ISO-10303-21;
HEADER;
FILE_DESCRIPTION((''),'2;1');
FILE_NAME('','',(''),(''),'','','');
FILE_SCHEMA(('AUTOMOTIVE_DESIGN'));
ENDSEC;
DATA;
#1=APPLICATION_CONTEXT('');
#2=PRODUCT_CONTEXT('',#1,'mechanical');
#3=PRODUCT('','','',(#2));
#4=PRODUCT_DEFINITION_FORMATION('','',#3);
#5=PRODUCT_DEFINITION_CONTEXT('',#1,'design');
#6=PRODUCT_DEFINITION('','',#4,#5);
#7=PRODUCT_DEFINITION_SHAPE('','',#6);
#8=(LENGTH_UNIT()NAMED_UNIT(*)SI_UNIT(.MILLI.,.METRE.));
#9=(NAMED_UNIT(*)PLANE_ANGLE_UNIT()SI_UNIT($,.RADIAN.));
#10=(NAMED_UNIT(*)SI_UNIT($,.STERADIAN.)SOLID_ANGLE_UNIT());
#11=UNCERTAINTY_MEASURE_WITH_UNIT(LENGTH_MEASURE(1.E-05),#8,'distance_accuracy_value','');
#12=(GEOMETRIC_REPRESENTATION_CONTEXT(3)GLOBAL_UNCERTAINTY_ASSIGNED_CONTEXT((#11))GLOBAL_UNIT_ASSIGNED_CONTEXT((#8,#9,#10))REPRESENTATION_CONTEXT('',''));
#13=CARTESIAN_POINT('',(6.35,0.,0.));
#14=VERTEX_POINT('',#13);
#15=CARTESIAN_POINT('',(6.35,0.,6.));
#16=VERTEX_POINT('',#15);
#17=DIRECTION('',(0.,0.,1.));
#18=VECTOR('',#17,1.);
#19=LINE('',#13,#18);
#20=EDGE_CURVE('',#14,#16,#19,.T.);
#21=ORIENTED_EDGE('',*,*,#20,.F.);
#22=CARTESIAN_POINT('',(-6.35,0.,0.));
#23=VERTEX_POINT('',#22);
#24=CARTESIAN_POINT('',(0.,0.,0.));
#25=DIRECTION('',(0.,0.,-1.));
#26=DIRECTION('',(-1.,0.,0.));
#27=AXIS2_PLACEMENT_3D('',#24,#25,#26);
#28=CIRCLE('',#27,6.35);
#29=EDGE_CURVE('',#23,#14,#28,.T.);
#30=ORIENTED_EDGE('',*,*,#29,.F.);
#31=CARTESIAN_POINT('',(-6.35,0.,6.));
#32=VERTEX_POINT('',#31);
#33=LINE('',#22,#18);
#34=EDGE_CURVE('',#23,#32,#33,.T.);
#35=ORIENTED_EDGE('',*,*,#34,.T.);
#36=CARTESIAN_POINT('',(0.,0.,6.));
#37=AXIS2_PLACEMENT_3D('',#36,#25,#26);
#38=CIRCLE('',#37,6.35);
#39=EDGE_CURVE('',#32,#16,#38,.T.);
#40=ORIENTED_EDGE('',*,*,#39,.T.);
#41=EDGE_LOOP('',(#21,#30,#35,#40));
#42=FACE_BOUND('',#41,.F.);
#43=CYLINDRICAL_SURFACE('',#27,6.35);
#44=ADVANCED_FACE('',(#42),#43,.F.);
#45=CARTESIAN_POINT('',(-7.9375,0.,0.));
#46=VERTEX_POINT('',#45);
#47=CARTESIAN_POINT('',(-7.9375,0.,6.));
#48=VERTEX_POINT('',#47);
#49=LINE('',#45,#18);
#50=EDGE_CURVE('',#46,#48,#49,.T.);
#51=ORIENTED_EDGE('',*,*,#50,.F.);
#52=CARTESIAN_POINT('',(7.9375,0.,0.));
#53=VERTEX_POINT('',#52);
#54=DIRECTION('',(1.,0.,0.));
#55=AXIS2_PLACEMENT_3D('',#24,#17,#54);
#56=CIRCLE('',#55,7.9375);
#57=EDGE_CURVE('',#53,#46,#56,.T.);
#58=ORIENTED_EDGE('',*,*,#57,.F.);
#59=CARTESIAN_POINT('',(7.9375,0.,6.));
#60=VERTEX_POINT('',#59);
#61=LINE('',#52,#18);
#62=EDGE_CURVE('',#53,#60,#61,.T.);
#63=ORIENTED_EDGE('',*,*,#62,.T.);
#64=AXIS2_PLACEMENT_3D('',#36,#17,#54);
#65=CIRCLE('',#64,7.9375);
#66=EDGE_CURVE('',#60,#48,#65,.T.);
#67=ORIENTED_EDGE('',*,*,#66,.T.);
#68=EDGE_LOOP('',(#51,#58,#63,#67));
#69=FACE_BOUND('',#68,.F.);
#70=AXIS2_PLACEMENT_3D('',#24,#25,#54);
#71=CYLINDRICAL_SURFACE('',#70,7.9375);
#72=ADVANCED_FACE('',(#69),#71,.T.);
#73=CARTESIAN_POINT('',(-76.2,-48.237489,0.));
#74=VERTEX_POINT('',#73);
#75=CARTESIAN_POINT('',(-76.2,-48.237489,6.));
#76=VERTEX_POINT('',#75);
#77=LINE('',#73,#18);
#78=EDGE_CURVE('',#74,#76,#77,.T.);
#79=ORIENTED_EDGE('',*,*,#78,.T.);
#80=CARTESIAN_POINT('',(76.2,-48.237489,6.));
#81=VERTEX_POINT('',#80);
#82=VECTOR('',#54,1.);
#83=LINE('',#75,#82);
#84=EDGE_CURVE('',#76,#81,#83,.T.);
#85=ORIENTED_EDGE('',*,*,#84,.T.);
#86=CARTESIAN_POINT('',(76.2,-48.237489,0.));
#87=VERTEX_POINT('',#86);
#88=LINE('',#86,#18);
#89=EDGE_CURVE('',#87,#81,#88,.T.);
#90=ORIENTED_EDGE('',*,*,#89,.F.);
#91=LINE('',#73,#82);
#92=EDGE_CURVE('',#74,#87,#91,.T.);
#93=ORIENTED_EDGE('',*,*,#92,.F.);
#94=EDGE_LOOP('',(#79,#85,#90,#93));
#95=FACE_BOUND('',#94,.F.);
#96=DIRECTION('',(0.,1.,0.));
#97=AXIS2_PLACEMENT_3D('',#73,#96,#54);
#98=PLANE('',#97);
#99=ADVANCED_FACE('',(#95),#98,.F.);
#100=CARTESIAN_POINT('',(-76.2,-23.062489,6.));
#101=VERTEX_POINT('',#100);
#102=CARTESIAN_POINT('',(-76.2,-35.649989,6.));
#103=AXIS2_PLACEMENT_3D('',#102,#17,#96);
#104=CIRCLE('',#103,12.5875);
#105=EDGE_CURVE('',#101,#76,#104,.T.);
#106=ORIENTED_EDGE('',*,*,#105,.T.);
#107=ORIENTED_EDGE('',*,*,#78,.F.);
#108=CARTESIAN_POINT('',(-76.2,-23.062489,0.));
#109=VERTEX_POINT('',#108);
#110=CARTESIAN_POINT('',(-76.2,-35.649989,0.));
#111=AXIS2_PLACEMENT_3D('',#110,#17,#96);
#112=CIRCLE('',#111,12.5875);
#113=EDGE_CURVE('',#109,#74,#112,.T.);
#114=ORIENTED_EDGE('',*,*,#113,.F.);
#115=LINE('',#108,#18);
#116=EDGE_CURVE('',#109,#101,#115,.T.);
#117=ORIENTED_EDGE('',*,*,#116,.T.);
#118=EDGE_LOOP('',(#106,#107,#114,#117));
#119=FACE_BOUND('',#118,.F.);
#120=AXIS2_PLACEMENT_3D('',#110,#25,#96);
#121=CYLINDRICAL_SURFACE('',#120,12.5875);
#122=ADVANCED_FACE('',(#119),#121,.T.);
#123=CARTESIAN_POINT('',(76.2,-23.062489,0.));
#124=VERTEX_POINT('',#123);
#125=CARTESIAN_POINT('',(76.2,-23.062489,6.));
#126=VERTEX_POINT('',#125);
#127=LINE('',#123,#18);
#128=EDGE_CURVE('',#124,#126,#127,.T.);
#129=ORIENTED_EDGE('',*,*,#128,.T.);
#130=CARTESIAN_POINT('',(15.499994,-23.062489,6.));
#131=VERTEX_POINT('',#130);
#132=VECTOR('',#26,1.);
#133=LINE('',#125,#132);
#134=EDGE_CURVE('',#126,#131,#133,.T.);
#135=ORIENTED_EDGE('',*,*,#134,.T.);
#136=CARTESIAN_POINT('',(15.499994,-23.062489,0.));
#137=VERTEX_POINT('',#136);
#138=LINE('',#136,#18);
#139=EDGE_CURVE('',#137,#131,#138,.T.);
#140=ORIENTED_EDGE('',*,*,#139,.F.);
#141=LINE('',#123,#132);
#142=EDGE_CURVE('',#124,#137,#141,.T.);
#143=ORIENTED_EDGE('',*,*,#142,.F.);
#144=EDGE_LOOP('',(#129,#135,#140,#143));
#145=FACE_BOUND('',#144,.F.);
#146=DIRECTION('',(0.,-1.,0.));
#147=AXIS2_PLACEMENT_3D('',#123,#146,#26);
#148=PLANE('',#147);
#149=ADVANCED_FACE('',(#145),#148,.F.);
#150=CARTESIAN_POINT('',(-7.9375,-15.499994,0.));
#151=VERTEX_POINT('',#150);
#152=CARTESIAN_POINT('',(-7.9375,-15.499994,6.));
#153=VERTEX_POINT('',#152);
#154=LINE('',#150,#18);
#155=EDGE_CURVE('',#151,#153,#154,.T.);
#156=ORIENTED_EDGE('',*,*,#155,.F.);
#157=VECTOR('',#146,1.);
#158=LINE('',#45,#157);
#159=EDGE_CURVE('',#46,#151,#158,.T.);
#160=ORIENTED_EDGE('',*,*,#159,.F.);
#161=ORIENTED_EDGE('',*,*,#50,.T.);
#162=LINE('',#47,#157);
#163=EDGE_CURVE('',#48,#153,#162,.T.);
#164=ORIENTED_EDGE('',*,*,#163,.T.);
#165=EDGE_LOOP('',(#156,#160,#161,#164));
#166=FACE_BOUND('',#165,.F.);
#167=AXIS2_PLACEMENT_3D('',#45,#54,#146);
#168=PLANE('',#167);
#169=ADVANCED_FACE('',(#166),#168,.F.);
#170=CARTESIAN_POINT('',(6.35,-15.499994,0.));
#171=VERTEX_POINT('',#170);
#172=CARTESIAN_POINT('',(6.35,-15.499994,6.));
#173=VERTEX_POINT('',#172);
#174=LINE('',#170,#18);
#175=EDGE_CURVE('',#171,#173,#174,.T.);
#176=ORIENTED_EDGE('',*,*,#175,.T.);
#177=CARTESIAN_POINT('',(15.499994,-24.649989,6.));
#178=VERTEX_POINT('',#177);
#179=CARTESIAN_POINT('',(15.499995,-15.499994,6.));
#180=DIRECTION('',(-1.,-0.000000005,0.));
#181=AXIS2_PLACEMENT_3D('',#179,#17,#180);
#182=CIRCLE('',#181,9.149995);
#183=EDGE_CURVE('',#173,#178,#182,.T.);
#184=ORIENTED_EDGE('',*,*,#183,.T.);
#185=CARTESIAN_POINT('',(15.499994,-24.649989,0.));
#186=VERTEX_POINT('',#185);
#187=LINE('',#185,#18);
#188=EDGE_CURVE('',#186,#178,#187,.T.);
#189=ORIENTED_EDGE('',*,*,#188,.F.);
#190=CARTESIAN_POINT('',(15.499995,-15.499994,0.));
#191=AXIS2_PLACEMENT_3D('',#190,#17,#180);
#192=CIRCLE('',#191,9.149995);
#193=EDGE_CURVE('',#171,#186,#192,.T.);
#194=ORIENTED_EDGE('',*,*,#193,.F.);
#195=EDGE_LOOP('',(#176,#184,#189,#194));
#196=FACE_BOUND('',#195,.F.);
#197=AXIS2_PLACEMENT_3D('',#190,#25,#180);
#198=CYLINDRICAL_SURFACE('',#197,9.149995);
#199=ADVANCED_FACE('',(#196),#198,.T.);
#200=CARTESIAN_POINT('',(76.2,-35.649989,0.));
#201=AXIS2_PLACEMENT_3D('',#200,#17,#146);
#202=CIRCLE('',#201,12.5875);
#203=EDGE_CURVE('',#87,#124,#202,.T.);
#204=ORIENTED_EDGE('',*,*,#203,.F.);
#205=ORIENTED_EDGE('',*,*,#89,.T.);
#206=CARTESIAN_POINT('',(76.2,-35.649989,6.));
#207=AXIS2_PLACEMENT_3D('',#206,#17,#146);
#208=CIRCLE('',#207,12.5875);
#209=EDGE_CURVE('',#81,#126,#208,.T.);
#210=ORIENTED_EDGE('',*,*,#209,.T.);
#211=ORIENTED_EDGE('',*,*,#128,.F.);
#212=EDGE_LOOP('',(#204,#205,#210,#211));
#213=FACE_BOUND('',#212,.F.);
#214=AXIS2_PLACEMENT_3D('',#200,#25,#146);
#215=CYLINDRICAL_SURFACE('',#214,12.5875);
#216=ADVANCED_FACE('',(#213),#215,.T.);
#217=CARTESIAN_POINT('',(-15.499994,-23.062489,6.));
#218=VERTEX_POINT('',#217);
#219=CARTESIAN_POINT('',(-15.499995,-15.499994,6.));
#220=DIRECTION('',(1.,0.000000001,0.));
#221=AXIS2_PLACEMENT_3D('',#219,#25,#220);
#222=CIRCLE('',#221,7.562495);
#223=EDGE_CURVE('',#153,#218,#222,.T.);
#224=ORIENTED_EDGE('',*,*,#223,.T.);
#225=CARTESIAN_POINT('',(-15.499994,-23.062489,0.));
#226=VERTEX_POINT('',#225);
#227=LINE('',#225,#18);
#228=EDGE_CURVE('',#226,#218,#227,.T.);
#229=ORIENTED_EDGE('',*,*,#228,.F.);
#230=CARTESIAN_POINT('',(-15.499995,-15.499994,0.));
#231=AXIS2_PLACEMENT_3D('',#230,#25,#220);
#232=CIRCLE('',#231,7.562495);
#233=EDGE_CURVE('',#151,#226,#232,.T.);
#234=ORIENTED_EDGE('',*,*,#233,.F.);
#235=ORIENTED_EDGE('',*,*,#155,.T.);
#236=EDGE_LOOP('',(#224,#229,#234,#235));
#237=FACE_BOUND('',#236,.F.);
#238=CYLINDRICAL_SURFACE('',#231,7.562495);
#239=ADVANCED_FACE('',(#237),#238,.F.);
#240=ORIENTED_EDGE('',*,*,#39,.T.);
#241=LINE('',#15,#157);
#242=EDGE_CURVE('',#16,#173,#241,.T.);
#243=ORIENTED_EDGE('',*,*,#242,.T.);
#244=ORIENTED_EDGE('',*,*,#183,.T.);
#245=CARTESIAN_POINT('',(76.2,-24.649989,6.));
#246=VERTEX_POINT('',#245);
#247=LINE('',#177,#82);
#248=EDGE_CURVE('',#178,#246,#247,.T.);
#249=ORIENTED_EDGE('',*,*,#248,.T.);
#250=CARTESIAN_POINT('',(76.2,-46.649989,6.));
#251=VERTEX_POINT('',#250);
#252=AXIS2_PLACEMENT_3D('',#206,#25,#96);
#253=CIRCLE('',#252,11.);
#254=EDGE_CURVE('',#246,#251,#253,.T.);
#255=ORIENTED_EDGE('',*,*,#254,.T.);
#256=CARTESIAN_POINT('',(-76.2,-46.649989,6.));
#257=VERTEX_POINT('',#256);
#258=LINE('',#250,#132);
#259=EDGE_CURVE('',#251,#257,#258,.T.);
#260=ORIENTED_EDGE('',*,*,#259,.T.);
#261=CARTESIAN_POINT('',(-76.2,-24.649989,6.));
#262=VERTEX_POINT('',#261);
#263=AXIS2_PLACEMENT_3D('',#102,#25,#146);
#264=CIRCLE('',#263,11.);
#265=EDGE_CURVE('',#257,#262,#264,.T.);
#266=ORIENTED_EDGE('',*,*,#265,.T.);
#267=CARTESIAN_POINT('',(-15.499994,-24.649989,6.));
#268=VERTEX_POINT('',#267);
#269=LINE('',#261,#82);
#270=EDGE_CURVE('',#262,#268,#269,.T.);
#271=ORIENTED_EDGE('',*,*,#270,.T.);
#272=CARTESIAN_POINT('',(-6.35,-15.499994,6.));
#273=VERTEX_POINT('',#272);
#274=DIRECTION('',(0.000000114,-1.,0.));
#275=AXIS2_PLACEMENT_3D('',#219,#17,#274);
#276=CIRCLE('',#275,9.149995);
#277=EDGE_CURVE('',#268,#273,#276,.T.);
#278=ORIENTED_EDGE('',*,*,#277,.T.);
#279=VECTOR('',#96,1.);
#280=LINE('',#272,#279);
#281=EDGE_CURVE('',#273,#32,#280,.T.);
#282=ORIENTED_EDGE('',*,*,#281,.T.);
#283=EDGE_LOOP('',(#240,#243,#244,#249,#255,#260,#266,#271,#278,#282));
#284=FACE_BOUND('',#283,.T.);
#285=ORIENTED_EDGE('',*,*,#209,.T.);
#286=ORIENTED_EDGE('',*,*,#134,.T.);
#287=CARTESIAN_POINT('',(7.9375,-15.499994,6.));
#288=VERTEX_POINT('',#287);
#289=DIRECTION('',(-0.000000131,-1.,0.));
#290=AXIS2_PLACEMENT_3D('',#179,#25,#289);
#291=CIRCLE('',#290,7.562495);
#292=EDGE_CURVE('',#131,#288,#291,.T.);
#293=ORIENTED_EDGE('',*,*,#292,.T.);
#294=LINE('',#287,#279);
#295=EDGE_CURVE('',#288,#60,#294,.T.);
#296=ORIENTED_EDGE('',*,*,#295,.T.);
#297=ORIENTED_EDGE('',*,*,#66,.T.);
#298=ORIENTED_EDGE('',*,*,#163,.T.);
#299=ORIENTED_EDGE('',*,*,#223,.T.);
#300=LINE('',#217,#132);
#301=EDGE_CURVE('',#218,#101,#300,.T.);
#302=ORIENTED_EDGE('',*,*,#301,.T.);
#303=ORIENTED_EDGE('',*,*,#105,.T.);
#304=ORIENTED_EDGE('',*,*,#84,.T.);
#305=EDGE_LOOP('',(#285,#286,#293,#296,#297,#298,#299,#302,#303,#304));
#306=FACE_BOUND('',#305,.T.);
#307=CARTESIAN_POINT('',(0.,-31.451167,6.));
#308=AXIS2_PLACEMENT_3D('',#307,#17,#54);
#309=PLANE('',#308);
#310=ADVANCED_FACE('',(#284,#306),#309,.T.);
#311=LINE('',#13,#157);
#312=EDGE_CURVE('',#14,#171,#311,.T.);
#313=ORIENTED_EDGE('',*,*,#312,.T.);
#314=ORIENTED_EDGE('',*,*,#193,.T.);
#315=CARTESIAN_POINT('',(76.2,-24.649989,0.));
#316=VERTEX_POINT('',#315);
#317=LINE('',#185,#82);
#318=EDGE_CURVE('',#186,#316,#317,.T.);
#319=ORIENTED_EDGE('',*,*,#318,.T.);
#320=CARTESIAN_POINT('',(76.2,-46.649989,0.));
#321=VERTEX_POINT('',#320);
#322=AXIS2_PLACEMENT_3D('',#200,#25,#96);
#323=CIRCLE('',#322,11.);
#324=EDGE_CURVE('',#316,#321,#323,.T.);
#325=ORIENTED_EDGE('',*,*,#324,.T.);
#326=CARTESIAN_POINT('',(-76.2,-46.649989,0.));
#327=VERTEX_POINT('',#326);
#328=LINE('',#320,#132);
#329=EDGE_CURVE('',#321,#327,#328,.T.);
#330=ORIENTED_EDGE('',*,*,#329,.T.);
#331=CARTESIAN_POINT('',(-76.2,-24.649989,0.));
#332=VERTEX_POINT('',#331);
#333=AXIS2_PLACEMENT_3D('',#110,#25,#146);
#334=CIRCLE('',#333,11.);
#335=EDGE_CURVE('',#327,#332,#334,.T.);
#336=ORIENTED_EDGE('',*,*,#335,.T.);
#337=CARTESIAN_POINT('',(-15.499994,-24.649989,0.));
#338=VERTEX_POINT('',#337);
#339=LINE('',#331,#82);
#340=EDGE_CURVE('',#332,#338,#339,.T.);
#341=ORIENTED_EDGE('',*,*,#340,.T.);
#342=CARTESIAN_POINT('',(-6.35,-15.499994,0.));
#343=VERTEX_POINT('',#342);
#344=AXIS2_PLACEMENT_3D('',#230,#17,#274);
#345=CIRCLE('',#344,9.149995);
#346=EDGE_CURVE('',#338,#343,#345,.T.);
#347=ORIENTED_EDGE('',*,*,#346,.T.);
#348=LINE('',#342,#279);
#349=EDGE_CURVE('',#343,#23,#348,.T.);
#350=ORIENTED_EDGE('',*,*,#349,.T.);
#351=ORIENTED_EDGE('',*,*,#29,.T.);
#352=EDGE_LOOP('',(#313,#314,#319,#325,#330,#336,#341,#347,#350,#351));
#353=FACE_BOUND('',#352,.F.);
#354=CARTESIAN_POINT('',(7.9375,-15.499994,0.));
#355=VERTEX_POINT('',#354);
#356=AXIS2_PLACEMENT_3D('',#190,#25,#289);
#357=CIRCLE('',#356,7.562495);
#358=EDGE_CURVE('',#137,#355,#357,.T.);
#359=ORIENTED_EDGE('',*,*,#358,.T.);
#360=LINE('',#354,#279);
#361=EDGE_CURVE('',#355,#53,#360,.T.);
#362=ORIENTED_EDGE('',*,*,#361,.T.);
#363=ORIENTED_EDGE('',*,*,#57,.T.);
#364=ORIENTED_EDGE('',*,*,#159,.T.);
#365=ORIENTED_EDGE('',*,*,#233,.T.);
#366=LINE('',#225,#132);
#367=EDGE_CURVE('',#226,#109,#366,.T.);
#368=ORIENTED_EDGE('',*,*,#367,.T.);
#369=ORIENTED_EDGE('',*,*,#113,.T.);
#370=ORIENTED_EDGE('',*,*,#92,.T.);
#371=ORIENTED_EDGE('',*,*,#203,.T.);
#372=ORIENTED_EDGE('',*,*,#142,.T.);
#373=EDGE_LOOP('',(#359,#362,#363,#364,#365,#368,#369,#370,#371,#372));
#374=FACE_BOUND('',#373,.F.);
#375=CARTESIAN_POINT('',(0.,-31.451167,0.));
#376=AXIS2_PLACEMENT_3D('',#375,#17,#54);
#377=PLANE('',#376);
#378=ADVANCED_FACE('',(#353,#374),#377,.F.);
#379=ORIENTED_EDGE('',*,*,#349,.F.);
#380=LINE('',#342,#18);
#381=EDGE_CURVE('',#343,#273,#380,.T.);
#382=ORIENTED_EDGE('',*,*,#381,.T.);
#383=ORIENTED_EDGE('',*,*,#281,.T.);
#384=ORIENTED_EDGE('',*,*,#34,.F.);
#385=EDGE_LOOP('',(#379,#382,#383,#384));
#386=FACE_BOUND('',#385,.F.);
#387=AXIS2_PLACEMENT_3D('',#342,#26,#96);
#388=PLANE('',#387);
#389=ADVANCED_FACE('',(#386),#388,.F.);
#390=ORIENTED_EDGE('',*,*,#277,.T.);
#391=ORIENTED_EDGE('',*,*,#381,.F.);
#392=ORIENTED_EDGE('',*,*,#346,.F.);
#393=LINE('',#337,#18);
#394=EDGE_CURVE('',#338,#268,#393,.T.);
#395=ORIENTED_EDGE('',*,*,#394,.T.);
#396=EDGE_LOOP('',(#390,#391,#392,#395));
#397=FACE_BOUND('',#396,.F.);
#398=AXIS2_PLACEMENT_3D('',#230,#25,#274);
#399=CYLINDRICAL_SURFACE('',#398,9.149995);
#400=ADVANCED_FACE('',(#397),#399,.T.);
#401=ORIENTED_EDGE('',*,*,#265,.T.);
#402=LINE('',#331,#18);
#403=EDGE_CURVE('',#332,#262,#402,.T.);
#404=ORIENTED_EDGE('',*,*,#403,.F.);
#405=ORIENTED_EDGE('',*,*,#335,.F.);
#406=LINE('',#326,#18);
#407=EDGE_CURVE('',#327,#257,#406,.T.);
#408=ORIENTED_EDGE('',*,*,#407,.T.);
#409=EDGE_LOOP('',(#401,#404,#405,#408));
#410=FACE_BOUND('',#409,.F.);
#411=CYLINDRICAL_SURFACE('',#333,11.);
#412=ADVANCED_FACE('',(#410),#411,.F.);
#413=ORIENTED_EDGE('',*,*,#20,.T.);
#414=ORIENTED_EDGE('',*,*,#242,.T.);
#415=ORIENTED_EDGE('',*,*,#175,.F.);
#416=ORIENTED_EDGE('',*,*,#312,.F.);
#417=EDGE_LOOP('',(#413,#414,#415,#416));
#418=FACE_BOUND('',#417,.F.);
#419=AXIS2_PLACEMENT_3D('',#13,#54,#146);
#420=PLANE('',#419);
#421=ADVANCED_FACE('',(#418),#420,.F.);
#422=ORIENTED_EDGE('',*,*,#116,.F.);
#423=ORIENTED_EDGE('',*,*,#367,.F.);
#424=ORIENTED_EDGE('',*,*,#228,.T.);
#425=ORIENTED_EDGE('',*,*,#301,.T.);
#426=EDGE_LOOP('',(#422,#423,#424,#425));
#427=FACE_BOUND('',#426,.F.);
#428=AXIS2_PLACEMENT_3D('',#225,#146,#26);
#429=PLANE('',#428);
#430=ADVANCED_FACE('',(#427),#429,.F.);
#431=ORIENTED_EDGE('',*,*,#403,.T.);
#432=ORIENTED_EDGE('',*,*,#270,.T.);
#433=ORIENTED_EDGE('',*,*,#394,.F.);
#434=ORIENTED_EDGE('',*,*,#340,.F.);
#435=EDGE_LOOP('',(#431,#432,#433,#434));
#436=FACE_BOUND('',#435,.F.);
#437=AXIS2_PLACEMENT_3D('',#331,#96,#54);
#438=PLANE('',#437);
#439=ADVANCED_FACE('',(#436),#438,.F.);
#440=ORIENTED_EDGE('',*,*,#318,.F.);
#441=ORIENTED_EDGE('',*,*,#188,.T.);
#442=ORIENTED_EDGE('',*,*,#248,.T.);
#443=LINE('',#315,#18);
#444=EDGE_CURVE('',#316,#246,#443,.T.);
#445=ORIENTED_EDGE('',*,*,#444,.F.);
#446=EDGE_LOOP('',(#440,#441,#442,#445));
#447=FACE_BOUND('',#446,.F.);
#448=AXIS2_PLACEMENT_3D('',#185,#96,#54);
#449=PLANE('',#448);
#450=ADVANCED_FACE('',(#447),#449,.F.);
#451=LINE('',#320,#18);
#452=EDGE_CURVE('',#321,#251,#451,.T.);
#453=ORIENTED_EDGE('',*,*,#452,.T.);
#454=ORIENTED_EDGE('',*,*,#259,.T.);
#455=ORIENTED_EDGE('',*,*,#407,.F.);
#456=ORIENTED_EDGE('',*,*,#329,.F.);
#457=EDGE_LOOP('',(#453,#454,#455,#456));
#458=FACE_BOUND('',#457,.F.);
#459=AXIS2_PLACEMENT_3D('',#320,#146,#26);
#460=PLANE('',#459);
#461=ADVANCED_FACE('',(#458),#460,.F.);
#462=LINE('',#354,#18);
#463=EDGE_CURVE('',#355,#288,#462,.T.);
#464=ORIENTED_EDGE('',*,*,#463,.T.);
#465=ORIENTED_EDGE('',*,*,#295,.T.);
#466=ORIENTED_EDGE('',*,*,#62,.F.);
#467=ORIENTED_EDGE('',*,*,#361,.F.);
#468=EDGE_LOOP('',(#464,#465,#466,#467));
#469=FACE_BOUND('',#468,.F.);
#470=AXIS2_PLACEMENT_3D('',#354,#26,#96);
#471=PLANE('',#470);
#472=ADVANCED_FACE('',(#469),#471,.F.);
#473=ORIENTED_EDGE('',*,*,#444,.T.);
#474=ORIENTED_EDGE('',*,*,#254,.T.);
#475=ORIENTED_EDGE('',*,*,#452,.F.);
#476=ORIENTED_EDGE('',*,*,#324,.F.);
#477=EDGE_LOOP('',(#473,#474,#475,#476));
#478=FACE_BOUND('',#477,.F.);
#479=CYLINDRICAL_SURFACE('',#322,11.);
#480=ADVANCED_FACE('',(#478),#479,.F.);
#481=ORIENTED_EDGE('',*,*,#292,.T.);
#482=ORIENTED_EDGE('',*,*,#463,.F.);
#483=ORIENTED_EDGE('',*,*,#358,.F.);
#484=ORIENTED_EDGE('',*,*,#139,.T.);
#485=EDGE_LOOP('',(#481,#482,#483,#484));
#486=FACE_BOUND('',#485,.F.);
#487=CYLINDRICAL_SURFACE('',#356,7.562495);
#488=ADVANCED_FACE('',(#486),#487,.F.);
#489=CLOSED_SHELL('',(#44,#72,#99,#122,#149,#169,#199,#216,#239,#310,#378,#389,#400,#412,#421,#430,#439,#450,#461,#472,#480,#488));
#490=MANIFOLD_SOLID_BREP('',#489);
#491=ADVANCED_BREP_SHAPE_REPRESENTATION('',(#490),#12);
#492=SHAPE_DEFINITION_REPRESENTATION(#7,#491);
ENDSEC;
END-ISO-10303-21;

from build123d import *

# Parameters (mm, degrees)
F1_DEPTH = 6


with BuildPart() as f1:
    # F0 (on Top) → F1 (new body)
    with BuildSketch(Plane.XY):
        with BuildLine():
            ThreePointArc((15.499994, -23.062489), (10.152503, -20.847485), (7.9375, -15.499994))
            Line((7.9375, -15.499994), (7.9375, 0))
            ThreePointArc((7.9375, 0), (0, 7.9375), (-7.9375, 0))
            Line((-7.9375, 0), (-7.9375, -15.499994))
            ThreePointArc((-7.9375, -15.499994), (-10.152503, -20.847485), (-15.499994, -23.062489))
            Line((-15.499994, -23.062489), (-76.2, -23.062489))
            ThreePointArc((-76.2, -23.062489), (-88.7875, -35.649989), (-76.2, -48.237489))
            Line((-76.2, -48.237489), (76.2, -48.237489))
            ThreePointArc((76.2, -48.237489), (88.7875, -35.649989), (76.2, -23.062489))
            Line((76.2, -23.062489), (15.499994, -23.062489))
        make_face()
        with BuildLine():
            Line((6.35, 0), (6.35, -15.499994))
            ThreePointArc((6.35, -15.499994), (9.029971, -21.970017), (15.499994, -24.649989))
            Line((15.499994, -24.649989), (76.2, -24.649989))
            ThreePointArc((76.2, -24.649989), (87.2, -35.649989), (76.2, -46.649989))
            Line((76.2, -46.649989), (-76.2, -46.649989))
            ThreePointArc((-76.2, -46.649989), (-87.2, -35.649989), (-76.2, -24.649989))
            Line((-76.2, -24.649989), (-15.499994, -24.649989))
            ThreePointArc((-15.499994, -24.649989), (-9.029971, -21.970017), (-6.35, -15.499994))
            Line((-6.35, -15.499994), (-6.35, 0))
            ThreePointArc((-6.35, 0), (0, 6.35), (6.35, 0))
        make_face(mode=Mode.SUBTRACT)
    extrude(amount=F1_DEPTH)


solid = f1.part
